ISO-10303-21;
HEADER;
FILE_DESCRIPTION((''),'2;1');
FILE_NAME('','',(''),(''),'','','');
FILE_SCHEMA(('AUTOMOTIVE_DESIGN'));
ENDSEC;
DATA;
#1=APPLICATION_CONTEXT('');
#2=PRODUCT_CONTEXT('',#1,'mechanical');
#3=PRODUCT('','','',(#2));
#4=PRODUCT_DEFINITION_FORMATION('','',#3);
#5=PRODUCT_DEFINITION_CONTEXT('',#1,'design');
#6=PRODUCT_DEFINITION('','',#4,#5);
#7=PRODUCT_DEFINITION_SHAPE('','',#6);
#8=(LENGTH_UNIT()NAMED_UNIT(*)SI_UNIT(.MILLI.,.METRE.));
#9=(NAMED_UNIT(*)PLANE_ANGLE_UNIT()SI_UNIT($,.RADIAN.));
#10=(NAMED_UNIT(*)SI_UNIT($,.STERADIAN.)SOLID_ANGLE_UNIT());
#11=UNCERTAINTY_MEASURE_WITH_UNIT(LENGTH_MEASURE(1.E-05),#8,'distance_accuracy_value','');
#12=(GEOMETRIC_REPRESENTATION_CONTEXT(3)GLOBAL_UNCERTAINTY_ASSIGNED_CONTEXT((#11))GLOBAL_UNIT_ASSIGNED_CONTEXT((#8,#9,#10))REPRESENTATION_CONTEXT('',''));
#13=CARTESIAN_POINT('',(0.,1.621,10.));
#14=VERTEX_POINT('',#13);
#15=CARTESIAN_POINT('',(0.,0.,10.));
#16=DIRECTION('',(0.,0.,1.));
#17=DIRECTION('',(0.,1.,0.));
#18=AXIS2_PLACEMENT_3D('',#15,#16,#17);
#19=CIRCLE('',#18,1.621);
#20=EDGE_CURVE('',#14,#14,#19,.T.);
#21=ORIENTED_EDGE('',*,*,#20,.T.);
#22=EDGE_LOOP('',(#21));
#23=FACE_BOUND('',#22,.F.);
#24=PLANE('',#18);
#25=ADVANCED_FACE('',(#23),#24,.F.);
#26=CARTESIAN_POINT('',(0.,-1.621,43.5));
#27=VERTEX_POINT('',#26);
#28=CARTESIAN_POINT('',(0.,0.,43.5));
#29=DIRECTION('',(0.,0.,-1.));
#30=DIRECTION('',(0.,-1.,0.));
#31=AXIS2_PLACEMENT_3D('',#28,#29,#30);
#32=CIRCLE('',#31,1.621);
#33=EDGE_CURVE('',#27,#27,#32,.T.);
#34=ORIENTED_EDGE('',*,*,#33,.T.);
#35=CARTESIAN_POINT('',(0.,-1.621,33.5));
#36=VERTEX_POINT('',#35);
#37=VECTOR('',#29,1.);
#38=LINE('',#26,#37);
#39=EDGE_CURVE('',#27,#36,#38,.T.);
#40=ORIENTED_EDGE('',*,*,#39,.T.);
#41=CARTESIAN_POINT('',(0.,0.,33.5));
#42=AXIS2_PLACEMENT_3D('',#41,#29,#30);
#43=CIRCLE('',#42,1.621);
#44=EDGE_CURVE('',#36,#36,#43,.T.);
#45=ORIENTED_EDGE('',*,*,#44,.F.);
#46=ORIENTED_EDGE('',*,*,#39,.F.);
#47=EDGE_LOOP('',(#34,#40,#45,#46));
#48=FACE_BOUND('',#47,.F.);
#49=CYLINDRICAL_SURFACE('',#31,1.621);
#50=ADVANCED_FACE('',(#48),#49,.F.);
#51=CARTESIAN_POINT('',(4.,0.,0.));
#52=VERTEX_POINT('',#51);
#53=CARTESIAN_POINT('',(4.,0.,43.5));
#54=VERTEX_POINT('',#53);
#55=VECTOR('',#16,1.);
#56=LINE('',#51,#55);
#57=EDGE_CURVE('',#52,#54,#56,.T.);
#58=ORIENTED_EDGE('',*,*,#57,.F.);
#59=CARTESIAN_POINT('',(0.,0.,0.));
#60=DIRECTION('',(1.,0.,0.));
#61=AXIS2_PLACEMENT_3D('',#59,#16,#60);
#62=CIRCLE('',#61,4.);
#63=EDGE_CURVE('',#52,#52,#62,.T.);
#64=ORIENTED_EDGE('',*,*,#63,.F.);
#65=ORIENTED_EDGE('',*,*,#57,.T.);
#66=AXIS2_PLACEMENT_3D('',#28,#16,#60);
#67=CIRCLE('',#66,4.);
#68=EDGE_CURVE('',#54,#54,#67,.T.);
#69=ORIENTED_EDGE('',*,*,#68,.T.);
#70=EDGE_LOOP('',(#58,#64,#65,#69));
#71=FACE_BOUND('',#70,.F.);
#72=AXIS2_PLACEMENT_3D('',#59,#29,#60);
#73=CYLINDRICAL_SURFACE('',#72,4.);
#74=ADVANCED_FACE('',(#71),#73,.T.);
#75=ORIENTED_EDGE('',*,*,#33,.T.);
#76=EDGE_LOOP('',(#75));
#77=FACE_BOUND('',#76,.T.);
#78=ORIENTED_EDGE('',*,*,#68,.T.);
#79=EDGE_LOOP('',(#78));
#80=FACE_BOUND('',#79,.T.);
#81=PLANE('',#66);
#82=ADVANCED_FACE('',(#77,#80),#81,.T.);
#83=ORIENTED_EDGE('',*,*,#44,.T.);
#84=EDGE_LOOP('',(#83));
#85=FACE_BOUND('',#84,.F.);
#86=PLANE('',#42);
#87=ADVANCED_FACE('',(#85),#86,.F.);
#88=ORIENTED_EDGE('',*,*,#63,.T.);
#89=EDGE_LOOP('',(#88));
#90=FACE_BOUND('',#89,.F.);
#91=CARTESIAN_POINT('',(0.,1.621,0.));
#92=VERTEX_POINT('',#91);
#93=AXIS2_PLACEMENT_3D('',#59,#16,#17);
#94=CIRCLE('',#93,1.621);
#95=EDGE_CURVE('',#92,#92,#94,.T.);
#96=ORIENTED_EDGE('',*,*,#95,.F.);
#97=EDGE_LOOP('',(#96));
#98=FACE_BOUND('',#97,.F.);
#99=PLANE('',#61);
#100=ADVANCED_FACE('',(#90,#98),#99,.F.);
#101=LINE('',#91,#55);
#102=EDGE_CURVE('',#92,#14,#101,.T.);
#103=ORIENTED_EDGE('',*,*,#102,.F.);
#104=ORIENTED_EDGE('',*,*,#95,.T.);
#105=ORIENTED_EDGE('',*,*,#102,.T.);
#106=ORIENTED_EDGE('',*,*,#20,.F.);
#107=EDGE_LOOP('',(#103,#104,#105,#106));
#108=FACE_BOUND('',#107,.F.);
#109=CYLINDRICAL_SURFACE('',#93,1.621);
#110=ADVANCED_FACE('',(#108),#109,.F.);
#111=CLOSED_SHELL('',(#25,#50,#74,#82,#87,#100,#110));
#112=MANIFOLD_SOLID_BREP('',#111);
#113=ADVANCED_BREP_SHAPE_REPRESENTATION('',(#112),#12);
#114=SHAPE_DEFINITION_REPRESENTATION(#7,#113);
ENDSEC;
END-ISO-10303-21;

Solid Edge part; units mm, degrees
sketch "Sketch1" plane through (0, 0, 0) normal (0, 0, 1) x (1, 0, 0)
  circle A0 centre (0, 0) radius 4
extrude "Protrusion1" add sketch "Sketch1" along normal blind 43.5
hole "Hole_3" at (0, 0, 0) direction (0, 0, 1) diameter 3.242 depth 10 thread major 4 thread length 8
hole "Hole_4" at (0, 0, 43.5) direction (0, 0, -1) diameter 3.242 depth 10 thread major 4 thread length 8
